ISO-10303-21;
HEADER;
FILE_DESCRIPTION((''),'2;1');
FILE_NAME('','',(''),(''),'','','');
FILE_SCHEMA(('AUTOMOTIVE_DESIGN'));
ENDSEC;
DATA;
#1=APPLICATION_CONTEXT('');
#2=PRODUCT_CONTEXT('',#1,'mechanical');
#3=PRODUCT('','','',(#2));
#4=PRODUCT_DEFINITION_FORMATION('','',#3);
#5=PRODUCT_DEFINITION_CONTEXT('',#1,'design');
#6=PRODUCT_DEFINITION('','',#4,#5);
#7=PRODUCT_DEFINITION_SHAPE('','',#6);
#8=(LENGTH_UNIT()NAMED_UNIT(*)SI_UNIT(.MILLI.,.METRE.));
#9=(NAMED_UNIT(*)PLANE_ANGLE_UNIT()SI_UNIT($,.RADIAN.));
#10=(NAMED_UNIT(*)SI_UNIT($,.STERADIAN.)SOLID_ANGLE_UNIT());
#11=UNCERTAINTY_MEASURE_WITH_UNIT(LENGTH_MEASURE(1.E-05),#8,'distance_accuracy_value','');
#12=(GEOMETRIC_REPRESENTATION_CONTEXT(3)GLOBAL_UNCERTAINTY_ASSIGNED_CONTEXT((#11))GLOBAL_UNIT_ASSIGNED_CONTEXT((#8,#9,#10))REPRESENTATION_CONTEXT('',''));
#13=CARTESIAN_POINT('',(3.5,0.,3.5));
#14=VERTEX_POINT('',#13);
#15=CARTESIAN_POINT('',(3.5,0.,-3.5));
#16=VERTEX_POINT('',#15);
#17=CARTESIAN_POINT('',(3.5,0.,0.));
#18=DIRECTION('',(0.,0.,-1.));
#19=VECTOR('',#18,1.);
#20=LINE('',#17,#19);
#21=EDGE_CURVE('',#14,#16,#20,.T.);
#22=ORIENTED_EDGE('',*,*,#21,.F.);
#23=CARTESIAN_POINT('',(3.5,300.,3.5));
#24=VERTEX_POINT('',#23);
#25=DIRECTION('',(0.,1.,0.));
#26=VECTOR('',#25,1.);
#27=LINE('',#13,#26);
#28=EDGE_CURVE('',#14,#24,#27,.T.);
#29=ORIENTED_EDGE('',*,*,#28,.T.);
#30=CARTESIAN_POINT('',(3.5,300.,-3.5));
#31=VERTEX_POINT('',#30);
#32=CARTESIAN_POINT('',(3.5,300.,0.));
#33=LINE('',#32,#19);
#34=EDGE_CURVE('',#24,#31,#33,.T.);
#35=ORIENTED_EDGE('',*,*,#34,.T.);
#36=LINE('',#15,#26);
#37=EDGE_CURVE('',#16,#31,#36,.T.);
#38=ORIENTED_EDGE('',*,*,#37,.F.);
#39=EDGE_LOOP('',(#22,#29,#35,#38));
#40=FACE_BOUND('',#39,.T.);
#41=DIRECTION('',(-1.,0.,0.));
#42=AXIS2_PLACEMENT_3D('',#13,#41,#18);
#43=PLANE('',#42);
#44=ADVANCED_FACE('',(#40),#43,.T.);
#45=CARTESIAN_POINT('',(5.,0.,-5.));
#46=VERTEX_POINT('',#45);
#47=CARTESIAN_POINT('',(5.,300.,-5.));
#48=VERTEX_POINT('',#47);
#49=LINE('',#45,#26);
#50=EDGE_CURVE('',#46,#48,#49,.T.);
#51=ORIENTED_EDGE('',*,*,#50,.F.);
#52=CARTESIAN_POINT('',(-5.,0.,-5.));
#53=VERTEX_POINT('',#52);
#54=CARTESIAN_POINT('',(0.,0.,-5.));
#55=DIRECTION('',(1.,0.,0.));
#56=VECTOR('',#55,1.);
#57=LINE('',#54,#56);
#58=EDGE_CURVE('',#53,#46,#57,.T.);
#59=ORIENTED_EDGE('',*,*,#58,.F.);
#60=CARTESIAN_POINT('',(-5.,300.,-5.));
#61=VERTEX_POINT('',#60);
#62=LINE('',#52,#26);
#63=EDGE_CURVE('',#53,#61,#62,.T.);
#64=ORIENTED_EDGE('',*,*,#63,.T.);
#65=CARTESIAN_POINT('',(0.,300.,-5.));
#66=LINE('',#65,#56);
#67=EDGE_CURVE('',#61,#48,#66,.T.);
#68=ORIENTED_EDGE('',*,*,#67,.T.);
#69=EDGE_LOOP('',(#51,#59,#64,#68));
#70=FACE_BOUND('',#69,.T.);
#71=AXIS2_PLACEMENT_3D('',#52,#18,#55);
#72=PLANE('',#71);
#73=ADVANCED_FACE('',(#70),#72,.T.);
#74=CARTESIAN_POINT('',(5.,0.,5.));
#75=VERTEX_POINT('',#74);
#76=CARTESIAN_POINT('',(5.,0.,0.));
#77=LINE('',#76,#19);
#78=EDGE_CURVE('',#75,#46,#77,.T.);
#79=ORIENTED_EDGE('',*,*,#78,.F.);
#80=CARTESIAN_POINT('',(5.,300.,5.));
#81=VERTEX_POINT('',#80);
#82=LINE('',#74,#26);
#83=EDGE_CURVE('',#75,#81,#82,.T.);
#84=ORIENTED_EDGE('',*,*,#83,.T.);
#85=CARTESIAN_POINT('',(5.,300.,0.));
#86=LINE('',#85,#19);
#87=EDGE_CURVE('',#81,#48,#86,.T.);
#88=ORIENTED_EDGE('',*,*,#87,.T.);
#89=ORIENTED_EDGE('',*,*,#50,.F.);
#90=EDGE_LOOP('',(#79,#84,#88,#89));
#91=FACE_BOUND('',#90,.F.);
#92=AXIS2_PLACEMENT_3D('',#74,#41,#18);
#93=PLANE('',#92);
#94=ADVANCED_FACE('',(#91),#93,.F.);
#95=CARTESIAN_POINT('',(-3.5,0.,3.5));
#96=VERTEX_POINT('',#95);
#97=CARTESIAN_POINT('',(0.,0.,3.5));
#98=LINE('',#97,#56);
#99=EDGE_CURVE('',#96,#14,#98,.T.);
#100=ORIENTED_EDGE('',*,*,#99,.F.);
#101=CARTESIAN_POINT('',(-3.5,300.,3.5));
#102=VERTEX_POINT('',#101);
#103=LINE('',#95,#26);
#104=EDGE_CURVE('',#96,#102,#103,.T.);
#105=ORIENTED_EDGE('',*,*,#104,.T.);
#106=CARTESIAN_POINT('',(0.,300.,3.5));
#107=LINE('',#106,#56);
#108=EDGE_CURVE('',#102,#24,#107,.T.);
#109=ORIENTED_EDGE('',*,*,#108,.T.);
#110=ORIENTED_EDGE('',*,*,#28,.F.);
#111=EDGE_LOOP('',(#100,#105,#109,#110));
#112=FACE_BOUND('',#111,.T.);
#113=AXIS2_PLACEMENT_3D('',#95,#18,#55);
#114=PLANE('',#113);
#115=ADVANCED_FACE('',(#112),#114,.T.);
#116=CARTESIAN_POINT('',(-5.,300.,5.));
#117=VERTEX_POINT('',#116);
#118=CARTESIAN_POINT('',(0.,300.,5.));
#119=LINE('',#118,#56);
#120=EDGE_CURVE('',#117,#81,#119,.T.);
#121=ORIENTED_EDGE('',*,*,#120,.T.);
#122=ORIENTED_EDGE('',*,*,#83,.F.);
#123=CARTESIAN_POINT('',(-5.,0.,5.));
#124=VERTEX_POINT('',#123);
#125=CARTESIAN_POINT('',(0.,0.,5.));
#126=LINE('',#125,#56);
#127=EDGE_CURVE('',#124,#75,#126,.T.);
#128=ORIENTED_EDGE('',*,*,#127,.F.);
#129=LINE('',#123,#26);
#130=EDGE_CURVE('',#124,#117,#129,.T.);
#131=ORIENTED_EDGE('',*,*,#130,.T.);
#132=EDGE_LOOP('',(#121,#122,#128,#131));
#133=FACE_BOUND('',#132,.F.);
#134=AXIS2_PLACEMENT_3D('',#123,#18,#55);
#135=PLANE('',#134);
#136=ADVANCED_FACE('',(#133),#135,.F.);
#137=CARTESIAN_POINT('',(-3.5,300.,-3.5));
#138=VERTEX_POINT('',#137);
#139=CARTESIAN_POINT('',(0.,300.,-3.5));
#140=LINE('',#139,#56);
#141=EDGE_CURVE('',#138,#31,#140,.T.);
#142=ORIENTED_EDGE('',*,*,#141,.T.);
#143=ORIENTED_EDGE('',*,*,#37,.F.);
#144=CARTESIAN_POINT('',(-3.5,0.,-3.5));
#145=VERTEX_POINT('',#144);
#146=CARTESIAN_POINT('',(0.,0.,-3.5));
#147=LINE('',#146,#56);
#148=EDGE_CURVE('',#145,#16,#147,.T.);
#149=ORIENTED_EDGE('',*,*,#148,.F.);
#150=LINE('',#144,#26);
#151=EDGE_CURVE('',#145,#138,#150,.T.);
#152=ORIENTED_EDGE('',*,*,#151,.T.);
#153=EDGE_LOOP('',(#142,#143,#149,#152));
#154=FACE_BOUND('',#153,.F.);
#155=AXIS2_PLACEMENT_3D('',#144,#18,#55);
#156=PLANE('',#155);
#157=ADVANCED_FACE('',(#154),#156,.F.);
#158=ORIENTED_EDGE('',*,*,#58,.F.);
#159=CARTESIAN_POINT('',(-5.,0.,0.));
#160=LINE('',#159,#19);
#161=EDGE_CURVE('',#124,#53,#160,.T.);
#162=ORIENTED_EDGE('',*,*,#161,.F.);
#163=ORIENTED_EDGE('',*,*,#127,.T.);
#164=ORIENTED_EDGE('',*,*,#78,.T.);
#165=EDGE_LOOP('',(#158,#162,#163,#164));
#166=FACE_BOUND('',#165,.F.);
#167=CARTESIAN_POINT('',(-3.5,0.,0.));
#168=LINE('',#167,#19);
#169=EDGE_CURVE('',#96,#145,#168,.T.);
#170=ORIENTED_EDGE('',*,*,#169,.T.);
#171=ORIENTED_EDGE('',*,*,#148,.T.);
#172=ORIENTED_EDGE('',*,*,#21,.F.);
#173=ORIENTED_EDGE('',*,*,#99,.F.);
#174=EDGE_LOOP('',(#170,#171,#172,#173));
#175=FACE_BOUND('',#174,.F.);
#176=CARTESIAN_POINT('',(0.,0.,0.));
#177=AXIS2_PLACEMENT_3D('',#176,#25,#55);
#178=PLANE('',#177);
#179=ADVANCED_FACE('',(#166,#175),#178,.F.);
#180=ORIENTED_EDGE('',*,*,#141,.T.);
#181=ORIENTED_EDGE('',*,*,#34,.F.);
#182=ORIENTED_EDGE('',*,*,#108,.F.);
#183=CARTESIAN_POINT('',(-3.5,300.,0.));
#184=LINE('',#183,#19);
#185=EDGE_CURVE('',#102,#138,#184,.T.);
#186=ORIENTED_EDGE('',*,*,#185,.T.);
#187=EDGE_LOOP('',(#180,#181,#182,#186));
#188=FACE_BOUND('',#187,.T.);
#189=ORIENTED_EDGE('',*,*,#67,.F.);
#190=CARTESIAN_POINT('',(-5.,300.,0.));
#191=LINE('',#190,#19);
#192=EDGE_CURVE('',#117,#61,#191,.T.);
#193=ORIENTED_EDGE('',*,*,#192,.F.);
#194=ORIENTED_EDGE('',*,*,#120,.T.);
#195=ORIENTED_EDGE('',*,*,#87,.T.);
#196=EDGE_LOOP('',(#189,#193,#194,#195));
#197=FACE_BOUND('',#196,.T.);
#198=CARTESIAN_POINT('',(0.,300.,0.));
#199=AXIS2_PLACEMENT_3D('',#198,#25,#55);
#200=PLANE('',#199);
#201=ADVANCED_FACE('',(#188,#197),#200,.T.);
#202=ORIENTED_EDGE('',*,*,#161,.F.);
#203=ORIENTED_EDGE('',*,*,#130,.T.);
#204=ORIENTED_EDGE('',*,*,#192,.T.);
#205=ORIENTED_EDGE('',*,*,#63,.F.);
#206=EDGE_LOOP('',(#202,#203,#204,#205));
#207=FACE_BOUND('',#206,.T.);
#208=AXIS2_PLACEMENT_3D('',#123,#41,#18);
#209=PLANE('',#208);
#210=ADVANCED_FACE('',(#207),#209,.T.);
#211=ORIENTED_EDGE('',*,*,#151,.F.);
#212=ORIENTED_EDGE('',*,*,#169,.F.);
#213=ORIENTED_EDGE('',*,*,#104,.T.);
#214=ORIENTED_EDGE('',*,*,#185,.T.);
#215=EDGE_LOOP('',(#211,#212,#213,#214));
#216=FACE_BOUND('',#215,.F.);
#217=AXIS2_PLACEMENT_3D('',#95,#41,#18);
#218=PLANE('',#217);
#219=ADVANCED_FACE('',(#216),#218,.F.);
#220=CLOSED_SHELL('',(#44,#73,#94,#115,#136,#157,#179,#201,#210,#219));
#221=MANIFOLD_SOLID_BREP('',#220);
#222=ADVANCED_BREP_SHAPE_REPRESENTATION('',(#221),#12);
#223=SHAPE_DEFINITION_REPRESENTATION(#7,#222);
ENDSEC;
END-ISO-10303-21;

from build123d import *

# Parameters (mm, degrees)
SKETCH1_W           = 10
SKETCH1_H           = 10
SKETCH1_W_2         = 7
SKETCH1_H_2         = 7
BOSS_EXTRUDE1_DEPTH = 300


with BuildPart() as part:
    # Sketch1 → Boss-Extrude1 (new body)
    with BuildSketch(Plane(origin=(0, 0, 0), x_dir=(1, 0, 0), z_dir=(0, 1, 0))):
        Rectangle(SKETCH1_W, SKETCH1_H)
        Rectangle(SKETCH1_W_2, SKETCH1_H_2, mode=Mode.SUBTRACT)
    extrude(amount=BOSS_EXTRUDE1_DEPTH)


solid = part.part
